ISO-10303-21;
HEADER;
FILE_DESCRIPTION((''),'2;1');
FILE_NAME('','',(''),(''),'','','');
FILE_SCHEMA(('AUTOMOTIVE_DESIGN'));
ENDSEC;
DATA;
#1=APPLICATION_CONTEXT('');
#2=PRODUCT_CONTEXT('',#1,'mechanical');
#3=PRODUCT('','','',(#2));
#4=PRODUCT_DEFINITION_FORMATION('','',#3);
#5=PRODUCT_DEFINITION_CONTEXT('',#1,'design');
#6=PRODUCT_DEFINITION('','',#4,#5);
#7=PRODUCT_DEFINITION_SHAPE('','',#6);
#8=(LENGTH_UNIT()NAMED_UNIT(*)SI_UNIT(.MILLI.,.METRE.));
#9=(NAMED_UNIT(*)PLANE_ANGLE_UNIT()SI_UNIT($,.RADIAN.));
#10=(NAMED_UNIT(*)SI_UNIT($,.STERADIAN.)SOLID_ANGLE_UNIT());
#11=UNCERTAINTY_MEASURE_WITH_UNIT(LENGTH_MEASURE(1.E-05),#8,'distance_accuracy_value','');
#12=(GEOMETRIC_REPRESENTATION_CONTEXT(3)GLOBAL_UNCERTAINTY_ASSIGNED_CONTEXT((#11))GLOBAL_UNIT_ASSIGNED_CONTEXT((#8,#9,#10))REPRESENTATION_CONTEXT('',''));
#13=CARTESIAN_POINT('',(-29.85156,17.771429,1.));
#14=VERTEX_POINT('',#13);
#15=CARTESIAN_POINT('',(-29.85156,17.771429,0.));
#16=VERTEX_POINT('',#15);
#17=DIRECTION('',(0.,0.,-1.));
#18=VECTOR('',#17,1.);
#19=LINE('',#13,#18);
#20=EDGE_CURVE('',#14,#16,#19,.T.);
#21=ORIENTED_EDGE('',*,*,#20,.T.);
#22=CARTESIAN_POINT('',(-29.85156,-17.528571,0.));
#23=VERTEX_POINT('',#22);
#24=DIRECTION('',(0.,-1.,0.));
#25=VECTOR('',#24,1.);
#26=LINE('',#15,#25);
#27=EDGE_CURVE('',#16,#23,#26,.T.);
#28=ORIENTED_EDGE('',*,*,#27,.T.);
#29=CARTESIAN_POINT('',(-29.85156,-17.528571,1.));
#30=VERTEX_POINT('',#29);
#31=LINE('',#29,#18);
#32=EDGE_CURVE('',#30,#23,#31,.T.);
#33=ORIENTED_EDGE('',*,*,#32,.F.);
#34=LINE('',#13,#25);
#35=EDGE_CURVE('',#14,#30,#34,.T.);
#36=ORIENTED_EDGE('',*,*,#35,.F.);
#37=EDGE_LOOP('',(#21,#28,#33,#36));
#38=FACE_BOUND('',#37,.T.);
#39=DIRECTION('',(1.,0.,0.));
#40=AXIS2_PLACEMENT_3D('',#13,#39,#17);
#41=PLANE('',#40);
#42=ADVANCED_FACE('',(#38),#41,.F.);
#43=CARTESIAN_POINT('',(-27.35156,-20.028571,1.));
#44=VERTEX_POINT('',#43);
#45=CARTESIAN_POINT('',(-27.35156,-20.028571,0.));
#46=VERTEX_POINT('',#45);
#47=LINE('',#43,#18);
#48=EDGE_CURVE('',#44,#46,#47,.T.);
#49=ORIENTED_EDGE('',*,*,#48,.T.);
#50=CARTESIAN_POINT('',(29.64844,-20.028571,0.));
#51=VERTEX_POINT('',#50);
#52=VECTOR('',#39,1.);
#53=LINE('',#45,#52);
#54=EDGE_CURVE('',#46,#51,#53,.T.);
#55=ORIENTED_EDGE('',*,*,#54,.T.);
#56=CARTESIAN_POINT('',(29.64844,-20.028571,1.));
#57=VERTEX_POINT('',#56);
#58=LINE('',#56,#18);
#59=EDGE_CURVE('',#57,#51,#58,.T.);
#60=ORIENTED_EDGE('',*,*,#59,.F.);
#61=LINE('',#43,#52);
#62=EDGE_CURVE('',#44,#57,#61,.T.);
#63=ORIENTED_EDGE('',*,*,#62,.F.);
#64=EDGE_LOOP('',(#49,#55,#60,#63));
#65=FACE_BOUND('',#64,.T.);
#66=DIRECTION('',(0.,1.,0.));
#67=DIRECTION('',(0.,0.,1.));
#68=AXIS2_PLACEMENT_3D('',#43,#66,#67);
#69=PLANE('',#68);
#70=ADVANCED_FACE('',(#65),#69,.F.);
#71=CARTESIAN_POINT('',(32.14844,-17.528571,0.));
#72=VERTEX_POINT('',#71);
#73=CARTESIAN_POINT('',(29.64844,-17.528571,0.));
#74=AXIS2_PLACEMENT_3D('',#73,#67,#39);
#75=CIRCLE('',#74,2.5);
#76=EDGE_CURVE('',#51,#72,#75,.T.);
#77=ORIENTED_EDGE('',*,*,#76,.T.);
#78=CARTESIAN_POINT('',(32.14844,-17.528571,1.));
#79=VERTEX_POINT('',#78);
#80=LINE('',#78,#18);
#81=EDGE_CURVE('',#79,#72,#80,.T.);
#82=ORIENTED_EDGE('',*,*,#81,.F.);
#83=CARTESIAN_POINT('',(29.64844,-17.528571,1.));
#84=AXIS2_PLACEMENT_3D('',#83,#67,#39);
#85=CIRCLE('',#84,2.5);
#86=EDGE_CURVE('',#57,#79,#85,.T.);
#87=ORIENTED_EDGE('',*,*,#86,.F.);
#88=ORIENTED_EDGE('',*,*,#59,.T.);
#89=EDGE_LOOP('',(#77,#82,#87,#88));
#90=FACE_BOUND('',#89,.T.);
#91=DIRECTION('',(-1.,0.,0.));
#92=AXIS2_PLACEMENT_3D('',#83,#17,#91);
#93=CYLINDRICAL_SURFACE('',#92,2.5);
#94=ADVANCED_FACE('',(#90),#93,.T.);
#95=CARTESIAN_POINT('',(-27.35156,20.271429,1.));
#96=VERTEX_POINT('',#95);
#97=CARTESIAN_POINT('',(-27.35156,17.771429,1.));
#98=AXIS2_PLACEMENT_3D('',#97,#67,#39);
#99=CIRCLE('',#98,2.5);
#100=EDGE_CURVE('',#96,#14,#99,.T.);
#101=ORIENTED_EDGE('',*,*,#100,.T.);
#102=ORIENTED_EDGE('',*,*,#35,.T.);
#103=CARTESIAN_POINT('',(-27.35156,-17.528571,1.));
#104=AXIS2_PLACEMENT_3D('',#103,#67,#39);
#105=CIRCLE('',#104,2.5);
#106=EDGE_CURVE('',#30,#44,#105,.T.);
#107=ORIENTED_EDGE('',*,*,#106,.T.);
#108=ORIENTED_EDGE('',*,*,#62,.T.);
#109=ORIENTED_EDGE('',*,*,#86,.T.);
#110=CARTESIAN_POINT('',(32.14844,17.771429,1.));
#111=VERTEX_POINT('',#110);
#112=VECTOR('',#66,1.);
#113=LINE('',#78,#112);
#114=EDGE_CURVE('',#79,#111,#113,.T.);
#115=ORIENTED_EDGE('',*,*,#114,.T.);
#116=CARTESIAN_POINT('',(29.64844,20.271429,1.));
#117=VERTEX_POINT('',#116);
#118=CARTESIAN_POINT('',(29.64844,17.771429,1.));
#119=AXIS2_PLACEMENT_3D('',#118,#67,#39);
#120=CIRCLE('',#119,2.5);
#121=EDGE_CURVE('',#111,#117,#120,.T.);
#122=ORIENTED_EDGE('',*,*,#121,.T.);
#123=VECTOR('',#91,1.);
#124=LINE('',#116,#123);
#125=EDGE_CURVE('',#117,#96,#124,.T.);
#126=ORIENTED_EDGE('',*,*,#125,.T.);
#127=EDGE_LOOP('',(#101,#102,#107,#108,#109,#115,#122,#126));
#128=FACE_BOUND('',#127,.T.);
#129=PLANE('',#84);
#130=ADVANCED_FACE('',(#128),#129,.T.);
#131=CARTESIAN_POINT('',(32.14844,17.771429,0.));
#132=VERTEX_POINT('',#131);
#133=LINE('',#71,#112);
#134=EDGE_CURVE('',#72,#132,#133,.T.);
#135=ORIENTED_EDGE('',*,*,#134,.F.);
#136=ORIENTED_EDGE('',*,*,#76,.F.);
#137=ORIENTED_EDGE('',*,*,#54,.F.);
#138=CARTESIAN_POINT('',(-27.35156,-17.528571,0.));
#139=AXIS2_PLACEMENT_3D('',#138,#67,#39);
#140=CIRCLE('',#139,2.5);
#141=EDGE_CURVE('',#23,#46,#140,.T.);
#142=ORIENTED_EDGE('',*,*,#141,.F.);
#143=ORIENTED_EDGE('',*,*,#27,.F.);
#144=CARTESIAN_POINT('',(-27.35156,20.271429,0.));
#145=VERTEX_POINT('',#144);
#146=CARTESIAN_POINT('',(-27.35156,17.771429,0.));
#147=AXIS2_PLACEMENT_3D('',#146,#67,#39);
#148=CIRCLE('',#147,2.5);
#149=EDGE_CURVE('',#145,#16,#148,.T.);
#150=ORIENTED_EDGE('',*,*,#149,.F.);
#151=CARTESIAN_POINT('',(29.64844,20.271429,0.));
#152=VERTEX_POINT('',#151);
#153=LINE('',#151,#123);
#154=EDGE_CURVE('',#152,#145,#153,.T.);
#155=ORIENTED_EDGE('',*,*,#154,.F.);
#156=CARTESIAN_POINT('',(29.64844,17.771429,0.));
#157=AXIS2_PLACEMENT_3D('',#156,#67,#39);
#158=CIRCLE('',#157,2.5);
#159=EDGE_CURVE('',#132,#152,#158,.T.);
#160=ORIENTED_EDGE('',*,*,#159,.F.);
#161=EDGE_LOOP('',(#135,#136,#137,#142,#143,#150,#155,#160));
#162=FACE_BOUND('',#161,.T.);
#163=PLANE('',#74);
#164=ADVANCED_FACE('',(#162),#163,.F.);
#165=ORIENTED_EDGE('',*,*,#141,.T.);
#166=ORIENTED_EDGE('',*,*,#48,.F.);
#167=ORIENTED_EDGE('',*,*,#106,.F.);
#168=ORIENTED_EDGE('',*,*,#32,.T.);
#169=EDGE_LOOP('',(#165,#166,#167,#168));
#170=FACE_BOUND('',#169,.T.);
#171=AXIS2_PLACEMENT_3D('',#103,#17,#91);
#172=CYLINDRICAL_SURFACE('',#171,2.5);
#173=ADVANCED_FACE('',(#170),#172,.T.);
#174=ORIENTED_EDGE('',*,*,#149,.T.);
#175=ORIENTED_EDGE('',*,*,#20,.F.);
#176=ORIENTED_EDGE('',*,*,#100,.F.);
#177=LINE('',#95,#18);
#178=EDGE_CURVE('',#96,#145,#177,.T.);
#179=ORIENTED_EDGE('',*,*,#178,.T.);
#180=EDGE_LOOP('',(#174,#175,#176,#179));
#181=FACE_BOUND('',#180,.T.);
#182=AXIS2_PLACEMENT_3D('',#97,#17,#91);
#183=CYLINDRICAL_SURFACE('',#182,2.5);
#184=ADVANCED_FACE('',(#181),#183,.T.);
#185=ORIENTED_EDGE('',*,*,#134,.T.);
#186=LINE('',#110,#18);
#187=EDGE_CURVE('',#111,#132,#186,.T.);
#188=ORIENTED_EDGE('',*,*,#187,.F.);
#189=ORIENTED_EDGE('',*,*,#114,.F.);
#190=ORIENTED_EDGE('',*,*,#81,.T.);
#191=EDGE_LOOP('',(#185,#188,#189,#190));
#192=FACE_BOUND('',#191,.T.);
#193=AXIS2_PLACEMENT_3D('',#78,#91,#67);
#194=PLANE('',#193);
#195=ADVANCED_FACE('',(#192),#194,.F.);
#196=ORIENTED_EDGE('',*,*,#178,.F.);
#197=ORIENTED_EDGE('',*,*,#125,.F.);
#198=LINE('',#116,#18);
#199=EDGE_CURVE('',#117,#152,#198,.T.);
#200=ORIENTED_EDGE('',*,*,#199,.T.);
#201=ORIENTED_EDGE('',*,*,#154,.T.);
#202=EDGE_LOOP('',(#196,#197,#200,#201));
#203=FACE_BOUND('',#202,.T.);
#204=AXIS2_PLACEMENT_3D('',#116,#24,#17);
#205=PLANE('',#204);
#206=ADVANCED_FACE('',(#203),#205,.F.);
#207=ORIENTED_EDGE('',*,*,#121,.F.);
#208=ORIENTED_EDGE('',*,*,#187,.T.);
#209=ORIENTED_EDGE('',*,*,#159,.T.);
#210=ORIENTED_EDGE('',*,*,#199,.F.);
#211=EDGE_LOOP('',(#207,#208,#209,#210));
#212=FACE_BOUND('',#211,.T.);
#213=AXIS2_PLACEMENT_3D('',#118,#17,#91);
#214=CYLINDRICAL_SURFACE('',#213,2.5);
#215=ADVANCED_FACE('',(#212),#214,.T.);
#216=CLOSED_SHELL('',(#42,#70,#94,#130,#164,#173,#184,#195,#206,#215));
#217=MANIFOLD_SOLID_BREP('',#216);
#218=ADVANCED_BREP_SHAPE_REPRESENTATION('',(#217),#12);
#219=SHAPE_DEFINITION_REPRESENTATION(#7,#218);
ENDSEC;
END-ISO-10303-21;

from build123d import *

# Parameters (mm, degrees)
RESSALTO_EXTRUS_O1_DEPTH = 1


with BuildPart() as part:
    # Esboço1 → Ressalto-extrusão1 (new body)
    with BuildSketch(Plane.XY):
        with BuildLine():
            Line((32.148439705, -17.528571429), (32.148439705, 17.771428571))
            ThreePointArc((32.148439705, 17.771428571), (31.416206658, 19.539195524), (29.648439705, 20.271428571))
            Line((29.648439705, 20.271428571), (-27.351560295, 20.271428571))
            ThreePointArc((-27.351560295, 20.271428571), (-29.119327248, 19.539195524), (-29.851560295, 17.771428571))
            Line((-29.851560295, 17.771428571), (-29.851560295, -17.528571429))
            ThreePointArc((-29.851560295, -17.528571429), (-29.119327248, -19.296338382), (-27.351560295, -20.028571429))
            Line((-27.351560295, -20.028571429), (29.648439705, -20.028571429))
            ThreePointArc((29.648439705, -20.028571429), (31.416206658, -19.296338382), (32.148439705, -17.528571429))
        make_face()
    extrude(amount=RESSALTO_EXTRUS_O1_DEPTH)


solid = part.part
